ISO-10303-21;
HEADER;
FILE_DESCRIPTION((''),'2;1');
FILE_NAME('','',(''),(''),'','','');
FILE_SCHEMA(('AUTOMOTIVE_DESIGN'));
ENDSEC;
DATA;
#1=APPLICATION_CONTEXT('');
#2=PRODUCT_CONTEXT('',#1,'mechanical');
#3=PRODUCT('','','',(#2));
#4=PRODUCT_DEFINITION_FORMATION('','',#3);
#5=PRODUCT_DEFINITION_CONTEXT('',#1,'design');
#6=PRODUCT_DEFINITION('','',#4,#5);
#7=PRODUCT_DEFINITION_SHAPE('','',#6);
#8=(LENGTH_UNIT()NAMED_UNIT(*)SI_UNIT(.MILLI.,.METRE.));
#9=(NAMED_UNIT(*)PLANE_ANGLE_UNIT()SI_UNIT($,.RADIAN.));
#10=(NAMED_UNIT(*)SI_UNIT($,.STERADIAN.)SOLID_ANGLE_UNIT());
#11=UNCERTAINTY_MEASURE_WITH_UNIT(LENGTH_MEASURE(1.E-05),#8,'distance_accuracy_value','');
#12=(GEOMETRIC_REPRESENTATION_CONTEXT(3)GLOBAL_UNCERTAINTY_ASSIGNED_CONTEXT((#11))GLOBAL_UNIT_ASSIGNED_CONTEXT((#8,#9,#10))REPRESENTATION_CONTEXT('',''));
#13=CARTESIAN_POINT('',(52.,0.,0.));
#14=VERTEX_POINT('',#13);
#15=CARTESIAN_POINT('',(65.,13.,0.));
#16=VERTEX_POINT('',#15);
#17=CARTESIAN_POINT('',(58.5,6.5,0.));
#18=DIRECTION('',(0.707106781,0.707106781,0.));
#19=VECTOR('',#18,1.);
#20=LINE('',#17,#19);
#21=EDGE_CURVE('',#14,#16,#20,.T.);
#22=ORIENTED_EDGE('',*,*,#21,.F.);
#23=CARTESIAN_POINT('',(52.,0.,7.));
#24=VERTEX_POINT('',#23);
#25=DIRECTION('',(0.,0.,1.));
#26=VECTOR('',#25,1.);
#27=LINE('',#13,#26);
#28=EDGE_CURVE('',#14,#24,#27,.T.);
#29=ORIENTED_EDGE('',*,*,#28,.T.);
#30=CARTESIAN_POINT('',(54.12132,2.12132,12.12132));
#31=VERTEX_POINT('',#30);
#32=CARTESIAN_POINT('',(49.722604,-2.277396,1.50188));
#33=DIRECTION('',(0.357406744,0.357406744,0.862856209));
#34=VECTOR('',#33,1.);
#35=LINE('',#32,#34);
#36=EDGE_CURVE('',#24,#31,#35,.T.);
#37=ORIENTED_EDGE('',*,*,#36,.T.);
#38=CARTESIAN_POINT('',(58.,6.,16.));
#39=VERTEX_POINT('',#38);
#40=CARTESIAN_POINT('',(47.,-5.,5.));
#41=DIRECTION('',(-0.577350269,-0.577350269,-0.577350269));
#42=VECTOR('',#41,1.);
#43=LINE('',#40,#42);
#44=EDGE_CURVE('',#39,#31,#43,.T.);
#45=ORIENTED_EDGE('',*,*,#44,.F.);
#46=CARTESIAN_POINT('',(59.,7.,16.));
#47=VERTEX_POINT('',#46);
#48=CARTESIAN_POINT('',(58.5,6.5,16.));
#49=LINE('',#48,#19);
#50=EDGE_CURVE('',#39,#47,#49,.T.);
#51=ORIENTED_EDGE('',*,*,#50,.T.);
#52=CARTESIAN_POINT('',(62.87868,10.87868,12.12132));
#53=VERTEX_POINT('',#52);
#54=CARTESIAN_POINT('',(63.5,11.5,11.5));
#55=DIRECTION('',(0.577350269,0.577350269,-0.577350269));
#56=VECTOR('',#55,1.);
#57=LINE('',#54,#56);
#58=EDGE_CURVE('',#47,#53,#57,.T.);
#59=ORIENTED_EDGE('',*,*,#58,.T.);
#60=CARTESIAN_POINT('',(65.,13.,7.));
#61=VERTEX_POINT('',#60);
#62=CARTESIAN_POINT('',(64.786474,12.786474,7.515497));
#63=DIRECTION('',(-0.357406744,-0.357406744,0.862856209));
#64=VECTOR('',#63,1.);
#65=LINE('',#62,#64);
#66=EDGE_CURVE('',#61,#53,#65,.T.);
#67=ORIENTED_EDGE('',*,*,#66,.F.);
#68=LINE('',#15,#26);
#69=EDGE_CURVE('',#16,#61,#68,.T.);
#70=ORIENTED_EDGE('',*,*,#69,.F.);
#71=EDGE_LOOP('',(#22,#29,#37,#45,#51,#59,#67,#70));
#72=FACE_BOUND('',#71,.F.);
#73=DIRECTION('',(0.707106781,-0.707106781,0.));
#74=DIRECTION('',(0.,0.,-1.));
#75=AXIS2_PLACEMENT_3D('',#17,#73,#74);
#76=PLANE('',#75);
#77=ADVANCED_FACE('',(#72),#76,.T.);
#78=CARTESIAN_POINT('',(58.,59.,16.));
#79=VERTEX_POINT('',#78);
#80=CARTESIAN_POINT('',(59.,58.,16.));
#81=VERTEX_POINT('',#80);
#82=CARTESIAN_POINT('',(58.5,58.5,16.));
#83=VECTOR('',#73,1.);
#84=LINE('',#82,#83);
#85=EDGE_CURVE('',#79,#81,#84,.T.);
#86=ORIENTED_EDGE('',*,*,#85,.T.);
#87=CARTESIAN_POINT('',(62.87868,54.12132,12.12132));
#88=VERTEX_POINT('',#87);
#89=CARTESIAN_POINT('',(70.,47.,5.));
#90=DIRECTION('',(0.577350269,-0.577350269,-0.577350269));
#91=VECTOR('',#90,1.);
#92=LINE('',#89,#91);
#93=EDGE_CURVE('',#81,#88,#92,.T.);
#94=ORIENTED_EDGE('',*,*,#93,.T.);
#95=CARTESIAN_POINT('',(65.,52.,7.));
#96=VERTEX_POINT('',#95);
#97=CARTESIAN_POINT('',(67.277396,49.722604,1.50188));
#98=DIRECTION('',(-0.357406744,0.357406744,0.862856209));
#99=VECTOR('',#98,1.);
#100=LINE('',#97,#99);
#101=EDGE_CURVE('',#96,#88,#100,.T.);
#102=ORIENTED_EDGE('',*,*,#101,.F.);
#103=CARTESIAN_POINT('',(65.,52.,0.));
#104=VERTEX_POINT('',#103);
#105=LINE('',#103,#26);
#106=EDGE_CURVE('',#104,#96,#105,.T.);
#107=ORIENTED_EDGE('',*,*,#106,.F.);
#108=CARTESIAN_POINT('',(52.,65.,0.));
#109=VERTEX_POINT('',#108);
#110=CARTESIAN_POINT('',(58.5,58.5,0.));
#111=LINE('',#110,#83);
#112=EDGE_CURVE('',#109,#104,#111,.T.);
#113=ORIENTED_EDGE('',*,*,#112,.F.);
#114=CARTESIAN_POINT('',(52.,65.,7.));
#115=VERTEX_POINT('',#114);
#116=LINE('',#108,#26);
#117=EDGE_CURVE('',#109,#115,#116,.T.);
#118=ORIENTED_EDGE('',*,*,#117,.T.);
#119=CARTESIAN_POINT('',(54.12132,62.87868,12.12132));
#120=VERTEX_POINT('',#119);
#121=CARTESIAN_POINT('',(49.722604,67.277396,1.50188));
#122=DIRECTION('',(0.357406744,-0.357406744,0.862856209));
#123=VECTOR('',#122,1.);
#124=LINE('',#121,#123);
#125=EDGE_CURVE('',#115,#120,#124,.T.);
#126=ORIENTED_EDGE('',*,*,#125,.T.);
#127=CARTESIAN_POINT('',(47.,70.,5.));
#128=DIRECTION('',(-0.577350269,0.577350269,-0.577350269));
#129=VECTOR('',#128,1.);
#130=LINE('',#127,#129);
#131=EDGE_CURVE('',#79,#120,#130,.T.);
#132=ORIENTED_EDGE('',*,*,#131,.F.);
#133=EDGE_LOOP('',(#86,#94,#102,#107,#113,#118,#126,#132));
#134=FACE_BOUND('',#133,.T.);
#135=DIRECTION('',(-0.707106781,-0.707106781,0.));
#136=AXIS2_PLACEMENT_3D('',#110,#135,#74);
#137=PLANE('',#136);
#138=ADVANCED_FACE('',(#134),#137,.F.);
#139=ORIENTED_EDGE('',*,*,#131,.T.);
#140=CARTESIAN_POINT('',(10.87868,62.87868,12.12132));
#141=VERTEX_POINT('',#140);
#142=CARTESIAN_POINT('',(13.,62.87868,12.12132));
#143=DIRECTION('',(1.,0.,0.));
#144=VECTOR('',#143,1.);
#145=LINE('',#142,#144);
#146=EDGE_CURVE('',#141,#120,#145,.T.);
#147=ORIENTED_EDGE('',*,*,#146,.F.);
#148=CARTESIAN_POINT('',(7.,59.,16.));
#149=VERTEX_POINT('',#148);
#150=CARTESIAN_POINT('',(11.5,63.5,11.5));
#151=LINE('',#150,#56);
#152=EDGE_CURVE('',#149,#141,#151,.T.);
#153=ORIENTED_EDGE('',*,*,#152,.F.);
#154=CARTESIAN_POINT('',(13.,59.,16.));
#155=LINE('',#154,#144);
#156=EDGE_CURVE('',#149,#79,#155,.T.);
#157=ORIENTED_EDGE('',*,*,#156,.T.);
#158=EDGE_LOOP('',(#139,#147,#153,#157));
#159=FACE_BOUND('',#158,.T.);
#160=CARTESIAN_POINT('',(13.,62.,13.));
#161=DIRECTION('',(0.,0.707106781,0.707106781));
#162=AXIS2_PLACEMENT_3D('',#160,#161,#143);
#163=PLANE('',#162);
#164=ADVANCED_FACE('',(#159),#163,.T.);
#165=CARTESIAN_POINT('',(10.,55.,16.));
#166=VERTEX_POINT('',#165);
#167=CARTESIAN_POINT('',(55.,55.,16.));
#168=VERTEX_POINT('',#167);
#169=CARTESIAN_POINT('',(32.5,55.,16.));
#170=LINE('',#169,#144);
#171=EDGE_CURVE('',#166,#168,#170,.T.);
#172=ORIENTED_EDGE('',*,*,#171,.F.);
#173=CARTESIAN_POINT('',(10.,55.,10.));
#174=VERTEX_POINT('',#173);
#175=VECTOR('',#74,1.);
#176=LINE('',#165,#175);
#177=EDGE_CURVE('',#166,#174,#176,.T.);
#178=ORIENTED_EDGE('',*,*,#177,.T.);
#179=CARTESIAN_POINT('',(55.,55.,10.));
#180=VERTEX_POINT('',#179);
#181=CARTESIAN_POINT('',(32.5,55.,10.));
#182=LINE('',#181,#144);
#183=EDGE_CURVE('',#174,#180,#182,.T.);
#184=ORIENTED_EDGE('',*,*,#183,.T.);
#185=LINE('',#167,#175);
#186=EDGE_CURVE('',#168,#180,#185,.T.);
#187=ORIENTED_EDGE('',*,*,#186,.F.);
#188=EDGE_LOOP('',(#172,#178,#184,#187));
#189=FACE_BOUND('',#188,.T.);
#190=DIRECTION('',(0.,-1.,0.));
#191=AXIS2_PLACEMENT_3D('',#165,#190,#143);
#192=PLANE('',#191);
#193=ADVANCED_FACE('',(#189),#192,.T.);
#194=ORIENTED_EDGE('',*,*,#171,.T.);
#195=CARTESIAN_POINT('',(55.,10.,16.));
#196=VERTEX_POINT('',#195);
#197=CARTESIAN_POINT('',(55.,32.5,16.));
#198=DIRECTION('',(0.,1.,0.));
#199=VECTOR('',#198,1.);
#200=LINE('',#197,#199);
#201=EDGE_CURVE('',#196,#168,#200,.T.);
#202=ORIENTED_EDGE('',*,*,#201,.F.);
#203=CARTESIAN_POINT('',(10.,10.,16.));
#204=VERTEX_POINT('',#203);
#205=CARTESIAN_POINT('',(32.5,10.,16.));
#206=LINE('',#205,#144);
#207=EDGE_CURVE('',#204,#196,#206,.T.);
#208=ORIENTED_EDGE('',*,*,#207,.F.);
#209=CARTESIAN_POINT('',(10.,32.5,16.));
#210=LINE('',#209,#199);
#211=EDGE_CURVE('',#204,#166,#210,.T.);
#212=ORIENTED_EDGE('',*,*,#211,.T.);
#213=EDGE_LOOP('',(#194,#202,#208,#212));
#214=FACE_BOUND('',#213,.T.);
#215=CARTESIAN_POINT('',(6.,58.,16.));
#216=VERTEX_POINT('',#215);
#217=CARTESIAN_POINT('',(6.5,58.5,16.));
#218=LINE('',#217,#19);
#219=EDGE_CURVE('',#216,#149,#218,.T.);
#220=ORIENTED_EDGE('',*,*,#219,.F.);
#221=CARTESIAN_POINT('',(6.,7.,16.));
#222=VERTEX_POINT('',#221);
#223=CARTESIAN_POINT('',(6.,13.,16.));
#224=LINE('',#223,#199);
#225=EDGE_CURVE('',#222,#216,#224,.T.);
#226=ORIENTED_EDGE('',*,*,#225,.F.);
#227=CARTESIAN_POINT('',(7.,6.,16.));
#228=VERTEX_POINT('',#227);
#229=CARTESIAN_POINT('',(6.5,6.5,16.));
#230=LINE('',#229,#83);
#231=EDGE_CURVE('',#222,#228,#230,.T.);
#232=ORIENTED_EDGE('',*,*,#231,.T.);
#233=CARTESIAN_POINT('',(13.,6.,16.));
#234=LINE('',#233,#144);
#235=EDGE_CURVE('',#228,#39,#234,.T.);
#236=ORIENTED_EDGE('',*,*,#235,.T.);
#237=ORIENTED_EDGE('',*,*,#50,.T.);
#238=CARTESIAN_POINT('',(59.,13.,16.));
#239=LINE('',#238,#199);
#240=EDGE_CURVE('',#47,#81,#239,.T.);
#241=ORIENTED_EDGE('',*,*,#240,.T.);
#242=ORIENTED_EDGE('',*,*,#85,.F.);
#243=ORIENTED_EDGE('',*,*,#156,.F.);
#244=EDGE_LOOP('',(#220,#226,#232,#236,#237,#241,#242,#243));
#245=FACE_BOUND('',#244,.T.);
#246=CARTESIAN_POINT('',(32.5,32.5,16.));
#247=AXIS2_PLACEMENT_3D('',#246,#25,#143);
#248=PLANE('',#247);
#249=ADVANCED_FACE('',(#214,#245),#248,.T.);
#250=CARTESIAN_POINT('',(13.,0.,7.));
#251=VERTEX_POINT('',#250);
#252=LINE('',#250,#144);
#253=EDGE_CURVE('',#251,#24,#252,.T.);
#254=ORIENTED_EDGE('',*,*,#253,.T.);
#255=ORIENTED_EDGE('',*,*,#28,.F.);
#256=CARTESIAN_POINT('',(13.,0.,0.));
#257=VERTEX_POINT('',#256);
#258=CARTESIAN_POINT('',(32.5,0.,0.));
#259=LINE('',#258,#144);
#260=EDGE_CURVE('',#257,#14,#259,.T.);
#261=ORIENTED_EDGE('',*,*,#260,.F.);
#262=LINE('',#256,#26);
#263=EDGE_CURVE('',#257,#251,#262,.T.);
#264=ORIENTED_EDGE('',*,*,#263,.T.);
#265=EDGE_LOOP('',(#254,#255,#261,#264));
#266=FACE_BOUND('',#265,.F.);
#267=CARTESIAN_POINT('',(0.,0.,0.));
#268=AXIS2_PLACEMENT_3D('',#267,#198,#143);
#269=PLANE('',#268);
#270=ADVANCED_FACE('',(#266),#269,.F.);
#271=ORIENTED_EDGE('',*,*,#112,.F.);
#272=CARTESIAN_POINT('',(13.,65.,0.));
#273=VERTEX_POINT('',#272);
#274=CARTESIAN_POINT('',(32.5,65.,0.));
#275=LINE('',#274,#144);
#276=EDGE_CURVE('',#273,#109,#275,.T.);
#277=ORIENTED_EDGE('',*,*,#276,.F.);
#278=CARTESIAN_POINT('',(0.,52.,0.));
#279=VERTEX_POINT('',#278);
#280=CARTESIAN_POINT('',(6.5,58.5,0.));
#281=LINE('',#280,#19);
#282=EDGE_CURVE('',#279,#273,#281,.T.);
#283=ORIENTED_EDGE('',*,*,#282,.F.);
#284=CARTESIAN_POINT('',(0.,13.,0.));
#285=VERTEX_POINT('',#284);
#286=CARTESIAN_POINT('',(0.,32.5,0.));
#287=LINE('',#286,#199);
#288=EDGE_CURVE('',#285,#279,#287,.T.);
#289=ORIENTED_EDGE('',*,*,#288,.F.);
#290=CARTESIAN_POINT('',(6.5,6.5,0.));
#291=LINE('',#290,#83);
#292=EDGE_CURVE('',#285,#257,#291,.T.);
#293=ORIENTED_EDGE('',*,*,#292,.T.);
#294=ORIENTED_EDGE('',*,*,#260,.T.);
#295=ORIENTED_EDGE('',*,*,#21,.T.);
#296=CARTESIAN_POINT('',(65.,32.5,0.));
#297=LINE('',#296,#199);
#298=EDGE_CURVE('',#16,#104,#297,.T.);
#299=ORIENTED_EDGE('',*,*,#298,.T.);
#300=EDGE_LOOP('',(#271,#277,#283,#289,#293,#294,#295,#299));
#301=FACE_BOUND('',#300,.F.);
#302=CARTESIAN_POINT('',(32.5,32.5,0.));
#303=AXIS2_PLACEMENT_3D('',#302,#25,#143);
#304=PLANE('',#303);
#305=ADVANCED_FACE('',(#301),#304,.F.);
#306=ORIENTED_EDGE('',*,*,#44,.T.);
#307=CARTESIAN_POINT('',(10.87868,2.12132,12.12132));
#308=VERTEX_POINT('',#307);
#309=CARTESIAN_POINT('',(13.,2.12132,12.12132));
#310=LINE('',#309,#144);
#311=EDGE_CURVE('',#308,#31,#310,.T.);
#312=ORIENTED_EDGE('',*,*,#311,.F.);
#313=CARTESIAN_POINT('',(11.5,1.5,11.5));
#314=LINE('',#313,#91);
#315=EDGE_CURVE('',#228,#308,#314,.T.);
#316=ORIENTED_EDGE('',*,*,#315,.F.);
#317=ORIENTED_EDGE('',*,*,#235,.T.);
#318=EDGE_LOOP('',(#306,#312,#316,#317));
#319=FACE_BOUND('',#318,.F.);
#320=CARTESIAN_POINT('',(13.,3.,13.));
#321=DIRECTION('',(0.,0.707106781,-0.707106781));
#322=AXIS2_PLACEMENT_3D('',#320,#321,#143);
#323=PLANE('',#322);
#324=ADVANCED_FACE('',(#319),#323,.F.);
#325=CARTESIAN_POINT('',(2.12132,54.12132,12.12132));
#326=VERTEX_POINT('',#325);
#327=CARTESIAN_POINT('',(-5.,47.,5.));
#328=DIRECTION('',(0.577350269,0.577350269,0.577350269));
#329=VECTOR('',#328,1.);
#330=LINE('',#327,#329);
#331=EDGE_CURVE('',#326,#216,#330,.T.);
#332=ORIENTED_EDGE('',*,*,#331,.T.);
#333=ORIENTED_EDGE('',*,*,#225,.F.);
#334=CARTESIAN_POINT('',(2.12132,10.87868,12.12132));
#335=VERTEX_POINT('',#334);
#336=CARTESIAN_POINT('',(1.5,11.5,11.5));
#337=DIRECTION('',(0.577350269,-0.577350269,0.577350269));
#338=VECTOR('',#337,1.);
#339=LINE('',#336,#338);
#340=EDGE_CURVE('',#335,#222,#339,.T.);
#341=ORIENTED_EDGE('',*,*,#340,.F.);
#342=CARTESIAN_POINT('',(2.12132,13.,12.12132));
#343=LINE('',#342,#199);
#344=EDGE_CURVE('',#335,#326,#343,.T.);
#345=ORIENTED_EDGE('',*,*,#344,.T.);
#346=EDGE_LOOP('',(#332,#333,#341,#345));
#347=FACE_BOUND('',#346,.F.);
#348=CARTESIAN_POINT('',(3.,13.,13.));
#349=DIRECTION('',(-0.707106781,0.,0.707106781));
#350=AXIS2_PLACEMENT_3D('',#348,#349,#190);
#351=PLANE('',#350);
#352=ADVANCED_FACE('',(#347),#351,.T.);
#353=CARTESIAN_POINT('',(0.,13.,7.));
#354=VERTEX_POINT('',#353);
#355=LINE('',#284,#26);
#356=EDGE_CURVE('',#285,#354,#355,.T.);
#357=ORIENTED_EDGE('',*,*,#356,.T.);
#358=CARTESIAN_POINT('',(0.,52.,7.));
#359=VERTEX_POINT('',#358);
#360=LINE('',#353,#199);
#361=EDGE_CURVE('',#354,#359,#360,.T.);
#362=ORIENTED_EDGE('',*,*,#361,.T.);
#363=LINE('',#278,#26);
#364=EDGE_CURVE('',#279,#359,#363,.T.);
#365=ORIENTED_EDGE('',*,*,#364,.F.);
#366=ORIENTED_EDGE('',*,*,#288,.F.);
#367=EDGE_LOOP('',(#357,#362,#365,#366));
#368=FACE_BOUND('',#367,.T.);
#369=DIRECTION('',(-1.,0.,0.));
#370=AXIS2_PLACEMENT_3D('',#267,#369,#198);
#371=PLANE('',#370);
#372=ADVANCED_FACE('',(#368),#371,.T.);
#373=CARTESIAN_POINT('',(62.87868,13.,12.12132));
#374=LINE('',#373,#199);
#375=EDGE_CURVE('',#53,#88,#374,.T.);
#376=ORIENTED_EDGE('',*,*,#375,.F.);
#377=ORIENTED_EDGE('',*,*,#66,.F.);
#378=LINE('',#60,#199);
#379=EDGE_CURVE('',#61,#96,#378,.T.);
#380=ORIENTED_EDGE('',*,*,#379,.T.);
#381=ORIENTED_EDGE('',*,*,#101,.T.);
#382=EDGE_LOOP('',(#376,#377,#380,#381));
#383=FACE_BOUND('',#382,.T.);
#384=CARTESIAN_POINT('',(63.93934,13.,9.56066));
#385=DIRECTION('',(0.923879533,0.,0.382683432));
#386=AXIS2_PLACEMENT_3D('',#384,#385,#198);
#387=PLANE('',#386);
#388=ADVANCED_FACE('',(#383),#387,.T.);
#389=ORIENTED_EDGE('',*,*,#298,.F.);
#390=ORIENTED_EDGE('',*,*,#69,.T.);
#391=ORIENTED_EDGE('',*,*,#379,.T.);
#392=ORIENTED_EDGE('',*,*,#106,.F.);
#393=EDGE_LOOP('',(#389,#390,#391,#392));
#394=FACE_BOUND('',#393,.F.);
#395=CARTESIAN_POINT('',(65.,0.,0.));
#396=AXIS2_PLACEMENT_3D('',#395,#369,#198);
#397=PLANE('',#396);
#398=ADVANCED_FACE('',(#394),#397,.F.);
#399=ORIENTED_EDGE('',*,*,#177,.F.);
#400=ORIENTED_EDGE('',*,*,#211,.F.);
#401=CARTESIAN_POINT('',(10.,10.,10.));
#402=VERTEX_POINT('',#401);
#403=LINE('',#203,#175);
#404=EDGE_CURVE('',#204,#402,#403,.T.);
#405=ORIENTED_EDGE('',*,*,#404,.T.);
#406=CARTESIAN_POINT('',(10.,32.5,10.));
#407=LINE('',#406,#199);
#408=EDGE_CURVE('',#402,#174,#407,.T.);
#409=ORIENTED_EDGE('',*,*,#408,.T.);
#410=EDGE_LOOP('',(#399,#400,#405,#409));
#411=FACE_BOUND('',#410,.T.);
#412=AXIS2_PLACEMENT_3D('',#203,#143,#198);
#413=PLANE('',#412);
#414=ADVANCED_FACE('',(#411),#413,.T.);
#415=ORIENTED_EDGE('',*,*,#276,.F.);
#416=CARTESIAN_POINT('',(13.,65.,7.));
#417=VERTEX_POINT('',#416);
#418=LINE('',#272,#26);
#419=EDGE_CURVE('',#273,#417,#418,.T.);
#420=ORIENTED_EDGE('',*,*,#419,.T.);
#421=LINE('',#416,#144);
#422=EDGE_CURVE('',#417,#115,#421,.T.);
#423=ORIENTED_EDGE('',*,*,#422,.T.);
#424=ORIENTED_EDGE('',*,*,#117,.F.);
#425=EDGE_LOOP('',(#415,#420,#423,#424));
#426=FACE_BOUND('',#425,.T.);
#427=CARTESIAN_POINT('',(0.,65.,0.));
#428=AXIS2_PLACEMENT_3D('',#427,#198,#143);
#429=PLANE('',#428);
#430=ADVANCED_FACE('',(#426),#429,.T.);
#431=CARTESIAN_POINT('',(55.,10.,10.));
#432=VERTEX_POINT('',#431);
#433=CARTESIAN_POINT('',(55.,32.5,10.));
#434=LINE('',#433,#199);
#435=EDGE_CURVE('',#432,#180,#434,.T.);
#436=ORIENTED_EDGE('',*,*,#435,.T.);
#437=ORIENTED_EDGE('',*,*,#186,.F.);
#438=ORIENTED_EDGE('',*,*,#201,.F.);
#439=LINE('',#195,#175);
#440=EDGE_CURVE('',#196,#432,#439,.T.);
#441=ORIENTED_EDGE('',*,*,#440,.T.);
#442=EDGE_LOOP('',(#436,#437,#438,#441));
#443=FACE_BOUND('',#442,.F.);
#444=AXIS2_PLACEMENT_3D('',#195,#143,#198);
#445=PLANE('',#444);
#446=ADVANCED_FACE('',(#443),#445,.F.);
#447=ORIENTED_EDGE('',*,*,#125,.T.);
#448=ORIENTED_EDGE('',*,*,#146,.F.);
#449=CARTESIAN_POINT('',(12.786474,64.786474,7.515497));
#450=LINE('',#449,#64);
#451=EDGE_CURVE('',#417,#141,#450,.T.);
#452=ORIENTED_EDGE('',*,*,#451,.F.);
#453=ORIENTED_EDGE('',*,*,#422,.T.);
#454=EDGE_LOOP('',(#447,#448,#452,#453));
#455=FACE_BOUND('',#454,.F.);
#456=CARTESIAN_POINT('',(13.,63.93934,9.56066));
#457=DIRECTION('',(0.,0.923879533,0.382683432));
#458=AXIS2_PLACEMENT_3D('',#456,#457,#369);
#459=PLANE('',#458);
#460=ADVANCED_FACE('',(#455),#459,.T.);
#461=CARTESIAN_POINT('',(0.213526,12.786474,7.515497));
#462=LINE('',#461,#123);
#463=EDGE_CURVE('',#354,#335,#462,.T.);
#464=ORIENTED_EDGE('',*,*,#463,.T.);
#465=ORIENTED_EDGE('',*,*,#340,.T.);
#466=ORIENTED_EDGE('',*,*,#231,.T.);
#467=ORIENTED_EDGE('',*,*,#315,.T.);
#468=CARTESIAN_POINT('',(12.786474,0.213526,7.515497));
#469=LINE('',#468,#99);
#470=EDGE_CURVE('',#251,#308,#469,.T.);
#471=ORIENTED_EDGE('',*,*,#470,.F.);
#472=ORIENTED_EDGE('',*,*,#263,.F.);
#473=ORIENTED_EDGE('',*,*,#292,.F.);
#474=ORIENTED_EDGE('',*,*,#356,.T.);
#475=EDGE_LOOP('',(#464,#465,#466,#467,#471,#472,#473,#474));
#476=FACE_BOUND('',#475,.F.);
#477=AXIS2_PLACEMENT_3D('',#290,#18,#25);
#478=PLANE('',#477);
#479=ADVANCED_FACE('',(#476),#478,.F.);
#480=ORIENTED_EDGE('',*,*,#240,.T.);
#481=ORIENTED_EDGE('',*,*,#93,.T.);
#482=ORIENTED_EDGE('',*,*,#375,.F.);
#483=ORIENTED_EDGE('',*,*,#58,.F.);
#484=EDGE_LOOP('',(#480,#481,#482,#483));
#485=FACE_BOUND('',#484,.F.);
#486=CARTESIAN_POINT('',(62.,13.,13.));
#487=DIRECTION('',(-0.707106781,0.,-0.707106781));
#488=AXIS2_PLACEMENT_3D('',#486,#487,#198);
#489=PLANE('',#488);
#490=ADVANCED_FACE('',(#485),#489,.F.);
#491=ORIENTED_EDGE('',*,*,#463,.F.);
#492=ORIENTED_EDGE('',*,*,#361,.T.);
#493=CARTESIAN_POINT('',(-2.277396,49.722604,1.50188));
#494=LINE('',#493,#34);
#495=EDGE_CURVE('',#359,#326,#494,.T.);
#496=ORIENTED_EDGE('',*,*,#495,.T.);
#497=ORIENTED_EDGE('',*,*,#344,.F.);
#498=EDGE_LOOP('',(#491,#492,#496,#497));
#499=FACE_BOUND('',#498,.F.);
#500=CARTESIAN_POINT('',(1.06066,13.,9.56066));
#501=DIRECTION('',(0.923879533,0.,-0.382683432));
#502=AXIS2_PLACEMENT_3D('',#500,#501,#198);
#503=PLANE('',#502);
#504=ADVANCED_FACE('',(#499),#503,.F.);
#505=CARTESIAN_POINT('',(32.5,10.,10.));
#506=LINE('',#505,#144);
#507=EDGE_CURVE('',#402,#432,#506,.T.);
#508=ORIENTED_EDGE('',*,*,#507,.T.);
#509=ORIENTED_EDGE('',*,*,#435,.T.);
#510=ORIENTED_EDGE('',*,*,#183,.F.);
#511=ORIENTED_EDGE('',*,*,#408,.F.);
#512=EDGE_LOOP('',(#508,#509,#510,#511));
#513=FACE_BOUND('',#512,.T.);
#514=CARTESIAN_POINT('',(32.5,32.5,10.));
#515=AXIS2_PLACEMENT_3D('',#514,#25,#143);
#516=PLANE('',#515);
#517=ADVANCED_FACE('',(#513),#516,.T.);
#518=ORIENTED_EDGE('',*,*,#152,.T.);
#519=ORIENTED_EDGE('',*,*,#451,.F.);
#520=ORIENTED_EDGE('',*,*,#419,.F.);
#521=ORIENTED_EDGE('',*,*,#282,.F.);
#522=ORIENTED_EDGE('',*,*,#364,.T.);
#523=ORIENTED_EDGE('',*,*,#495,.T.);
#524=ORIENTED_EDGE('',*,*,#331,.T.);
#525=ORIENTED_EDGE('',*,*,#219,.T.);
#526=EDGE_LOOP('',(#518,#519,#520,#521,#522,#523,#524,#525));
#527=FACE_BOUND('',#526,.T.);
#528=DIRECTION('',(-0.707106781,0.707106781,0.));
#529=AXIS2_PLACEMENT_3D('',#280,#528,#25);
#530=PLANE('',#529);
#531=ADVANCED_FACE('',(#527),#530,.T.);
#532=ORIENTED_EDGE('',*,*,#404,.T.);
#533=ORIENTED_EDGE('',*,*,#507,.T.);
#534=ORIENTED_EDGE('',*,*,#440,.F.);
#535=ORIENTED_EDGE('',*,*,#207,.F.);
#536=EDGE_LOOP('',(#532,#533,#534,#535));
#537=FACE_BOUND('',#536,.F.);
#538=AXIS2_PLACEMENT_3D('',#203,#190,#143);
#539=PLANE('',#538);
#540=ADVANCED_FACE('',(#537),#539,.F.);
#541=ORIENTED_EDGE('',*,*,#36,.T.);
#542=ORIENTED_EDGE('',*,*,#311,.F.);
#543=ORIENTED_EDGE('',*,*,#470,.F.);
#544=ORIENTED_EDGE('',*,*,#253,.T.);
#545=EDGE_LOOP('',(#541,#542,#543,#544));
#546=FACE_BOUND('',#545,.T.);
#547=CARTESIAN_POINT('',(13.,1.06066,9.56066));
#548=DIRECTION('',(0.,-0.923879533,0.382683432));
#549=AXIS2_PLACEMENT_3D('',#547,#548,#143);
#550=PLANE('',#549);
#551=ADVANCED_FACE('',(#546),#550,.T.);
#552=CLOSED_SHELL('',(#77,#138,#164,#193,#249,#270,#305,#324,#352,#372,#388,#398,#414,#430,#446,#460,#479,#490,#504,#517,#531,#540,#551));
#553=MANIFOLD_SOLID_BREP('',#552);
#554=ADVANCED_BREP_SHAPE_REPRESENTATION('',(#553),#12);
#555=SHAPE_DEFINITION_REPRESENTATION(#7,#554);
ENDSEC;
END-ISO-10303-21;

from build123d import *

# Parameters (mm, degrees)
SKETCH_W        = 65
SKETCH_H        = 65
PAD_DEPTH       = 16
SKETCH001_W     = 45
SKETCH001_H     = 45
POCKET_DEPTH    = 6
CHAMFER_SIZE    = 13
CHAMFER001_SIZE = 6
CHAMFER002_SIZE = 3


with BuildPart() as part:
    # Sketch → Pad (new body)
    with BuildSketch(Plane.XY):
        with Locations((32.5, 32.5)):
            Rectangle(SKETCH_W, SKETCH_H)
    extrude(amount=PAD_DEPTH)

    # Sketch001 (on Face6 of Pad) → Pocket (cut)
    with BuildSketch(Plane.XY.offset(16)):
        with Locations((32.5, 32.5)):
            Rectangle(SKETCH001_W, SKETCH001_H)
    extrude(amount=-POCKET_DEPTH, mode=Mode.SUBTRACT)

    # Chamfer
    chamfer_edges = [part.edges().sort_by_distance(p)[0] for p in [
        (0, 0, 8),
        (65, 0, 8),
        (65, 65, 8),
        (0, 65, 8),
    ]]
    chamfer(chamfer_edges, length=CHAMFER_SIZE)

    # Chamfer001
    chamfer001_edges = [part.edges().sort_by_distance(p)[0] for p in [
        (32.5, 0, 16),
        (65, 32.5, 16),
        (32.5, 65, 16),
        (0, 32.5, 16),
    ]]
    chamfer(chamfer001_edges, length=CHAMFER001_SIZE)

    # Chamfer002
    chamfer002_edges = [part.edges().sort_by_distance(p)[0] for p in [
        (32.5, 0, 10),
        (65, 32.5, 10),
        (32.5, 65, 10),
        (0, 32.5, 10),
    ]]
    chamfer(chamfer002_edges, length=CHAMFER002_SIZE)


solid = part.part
